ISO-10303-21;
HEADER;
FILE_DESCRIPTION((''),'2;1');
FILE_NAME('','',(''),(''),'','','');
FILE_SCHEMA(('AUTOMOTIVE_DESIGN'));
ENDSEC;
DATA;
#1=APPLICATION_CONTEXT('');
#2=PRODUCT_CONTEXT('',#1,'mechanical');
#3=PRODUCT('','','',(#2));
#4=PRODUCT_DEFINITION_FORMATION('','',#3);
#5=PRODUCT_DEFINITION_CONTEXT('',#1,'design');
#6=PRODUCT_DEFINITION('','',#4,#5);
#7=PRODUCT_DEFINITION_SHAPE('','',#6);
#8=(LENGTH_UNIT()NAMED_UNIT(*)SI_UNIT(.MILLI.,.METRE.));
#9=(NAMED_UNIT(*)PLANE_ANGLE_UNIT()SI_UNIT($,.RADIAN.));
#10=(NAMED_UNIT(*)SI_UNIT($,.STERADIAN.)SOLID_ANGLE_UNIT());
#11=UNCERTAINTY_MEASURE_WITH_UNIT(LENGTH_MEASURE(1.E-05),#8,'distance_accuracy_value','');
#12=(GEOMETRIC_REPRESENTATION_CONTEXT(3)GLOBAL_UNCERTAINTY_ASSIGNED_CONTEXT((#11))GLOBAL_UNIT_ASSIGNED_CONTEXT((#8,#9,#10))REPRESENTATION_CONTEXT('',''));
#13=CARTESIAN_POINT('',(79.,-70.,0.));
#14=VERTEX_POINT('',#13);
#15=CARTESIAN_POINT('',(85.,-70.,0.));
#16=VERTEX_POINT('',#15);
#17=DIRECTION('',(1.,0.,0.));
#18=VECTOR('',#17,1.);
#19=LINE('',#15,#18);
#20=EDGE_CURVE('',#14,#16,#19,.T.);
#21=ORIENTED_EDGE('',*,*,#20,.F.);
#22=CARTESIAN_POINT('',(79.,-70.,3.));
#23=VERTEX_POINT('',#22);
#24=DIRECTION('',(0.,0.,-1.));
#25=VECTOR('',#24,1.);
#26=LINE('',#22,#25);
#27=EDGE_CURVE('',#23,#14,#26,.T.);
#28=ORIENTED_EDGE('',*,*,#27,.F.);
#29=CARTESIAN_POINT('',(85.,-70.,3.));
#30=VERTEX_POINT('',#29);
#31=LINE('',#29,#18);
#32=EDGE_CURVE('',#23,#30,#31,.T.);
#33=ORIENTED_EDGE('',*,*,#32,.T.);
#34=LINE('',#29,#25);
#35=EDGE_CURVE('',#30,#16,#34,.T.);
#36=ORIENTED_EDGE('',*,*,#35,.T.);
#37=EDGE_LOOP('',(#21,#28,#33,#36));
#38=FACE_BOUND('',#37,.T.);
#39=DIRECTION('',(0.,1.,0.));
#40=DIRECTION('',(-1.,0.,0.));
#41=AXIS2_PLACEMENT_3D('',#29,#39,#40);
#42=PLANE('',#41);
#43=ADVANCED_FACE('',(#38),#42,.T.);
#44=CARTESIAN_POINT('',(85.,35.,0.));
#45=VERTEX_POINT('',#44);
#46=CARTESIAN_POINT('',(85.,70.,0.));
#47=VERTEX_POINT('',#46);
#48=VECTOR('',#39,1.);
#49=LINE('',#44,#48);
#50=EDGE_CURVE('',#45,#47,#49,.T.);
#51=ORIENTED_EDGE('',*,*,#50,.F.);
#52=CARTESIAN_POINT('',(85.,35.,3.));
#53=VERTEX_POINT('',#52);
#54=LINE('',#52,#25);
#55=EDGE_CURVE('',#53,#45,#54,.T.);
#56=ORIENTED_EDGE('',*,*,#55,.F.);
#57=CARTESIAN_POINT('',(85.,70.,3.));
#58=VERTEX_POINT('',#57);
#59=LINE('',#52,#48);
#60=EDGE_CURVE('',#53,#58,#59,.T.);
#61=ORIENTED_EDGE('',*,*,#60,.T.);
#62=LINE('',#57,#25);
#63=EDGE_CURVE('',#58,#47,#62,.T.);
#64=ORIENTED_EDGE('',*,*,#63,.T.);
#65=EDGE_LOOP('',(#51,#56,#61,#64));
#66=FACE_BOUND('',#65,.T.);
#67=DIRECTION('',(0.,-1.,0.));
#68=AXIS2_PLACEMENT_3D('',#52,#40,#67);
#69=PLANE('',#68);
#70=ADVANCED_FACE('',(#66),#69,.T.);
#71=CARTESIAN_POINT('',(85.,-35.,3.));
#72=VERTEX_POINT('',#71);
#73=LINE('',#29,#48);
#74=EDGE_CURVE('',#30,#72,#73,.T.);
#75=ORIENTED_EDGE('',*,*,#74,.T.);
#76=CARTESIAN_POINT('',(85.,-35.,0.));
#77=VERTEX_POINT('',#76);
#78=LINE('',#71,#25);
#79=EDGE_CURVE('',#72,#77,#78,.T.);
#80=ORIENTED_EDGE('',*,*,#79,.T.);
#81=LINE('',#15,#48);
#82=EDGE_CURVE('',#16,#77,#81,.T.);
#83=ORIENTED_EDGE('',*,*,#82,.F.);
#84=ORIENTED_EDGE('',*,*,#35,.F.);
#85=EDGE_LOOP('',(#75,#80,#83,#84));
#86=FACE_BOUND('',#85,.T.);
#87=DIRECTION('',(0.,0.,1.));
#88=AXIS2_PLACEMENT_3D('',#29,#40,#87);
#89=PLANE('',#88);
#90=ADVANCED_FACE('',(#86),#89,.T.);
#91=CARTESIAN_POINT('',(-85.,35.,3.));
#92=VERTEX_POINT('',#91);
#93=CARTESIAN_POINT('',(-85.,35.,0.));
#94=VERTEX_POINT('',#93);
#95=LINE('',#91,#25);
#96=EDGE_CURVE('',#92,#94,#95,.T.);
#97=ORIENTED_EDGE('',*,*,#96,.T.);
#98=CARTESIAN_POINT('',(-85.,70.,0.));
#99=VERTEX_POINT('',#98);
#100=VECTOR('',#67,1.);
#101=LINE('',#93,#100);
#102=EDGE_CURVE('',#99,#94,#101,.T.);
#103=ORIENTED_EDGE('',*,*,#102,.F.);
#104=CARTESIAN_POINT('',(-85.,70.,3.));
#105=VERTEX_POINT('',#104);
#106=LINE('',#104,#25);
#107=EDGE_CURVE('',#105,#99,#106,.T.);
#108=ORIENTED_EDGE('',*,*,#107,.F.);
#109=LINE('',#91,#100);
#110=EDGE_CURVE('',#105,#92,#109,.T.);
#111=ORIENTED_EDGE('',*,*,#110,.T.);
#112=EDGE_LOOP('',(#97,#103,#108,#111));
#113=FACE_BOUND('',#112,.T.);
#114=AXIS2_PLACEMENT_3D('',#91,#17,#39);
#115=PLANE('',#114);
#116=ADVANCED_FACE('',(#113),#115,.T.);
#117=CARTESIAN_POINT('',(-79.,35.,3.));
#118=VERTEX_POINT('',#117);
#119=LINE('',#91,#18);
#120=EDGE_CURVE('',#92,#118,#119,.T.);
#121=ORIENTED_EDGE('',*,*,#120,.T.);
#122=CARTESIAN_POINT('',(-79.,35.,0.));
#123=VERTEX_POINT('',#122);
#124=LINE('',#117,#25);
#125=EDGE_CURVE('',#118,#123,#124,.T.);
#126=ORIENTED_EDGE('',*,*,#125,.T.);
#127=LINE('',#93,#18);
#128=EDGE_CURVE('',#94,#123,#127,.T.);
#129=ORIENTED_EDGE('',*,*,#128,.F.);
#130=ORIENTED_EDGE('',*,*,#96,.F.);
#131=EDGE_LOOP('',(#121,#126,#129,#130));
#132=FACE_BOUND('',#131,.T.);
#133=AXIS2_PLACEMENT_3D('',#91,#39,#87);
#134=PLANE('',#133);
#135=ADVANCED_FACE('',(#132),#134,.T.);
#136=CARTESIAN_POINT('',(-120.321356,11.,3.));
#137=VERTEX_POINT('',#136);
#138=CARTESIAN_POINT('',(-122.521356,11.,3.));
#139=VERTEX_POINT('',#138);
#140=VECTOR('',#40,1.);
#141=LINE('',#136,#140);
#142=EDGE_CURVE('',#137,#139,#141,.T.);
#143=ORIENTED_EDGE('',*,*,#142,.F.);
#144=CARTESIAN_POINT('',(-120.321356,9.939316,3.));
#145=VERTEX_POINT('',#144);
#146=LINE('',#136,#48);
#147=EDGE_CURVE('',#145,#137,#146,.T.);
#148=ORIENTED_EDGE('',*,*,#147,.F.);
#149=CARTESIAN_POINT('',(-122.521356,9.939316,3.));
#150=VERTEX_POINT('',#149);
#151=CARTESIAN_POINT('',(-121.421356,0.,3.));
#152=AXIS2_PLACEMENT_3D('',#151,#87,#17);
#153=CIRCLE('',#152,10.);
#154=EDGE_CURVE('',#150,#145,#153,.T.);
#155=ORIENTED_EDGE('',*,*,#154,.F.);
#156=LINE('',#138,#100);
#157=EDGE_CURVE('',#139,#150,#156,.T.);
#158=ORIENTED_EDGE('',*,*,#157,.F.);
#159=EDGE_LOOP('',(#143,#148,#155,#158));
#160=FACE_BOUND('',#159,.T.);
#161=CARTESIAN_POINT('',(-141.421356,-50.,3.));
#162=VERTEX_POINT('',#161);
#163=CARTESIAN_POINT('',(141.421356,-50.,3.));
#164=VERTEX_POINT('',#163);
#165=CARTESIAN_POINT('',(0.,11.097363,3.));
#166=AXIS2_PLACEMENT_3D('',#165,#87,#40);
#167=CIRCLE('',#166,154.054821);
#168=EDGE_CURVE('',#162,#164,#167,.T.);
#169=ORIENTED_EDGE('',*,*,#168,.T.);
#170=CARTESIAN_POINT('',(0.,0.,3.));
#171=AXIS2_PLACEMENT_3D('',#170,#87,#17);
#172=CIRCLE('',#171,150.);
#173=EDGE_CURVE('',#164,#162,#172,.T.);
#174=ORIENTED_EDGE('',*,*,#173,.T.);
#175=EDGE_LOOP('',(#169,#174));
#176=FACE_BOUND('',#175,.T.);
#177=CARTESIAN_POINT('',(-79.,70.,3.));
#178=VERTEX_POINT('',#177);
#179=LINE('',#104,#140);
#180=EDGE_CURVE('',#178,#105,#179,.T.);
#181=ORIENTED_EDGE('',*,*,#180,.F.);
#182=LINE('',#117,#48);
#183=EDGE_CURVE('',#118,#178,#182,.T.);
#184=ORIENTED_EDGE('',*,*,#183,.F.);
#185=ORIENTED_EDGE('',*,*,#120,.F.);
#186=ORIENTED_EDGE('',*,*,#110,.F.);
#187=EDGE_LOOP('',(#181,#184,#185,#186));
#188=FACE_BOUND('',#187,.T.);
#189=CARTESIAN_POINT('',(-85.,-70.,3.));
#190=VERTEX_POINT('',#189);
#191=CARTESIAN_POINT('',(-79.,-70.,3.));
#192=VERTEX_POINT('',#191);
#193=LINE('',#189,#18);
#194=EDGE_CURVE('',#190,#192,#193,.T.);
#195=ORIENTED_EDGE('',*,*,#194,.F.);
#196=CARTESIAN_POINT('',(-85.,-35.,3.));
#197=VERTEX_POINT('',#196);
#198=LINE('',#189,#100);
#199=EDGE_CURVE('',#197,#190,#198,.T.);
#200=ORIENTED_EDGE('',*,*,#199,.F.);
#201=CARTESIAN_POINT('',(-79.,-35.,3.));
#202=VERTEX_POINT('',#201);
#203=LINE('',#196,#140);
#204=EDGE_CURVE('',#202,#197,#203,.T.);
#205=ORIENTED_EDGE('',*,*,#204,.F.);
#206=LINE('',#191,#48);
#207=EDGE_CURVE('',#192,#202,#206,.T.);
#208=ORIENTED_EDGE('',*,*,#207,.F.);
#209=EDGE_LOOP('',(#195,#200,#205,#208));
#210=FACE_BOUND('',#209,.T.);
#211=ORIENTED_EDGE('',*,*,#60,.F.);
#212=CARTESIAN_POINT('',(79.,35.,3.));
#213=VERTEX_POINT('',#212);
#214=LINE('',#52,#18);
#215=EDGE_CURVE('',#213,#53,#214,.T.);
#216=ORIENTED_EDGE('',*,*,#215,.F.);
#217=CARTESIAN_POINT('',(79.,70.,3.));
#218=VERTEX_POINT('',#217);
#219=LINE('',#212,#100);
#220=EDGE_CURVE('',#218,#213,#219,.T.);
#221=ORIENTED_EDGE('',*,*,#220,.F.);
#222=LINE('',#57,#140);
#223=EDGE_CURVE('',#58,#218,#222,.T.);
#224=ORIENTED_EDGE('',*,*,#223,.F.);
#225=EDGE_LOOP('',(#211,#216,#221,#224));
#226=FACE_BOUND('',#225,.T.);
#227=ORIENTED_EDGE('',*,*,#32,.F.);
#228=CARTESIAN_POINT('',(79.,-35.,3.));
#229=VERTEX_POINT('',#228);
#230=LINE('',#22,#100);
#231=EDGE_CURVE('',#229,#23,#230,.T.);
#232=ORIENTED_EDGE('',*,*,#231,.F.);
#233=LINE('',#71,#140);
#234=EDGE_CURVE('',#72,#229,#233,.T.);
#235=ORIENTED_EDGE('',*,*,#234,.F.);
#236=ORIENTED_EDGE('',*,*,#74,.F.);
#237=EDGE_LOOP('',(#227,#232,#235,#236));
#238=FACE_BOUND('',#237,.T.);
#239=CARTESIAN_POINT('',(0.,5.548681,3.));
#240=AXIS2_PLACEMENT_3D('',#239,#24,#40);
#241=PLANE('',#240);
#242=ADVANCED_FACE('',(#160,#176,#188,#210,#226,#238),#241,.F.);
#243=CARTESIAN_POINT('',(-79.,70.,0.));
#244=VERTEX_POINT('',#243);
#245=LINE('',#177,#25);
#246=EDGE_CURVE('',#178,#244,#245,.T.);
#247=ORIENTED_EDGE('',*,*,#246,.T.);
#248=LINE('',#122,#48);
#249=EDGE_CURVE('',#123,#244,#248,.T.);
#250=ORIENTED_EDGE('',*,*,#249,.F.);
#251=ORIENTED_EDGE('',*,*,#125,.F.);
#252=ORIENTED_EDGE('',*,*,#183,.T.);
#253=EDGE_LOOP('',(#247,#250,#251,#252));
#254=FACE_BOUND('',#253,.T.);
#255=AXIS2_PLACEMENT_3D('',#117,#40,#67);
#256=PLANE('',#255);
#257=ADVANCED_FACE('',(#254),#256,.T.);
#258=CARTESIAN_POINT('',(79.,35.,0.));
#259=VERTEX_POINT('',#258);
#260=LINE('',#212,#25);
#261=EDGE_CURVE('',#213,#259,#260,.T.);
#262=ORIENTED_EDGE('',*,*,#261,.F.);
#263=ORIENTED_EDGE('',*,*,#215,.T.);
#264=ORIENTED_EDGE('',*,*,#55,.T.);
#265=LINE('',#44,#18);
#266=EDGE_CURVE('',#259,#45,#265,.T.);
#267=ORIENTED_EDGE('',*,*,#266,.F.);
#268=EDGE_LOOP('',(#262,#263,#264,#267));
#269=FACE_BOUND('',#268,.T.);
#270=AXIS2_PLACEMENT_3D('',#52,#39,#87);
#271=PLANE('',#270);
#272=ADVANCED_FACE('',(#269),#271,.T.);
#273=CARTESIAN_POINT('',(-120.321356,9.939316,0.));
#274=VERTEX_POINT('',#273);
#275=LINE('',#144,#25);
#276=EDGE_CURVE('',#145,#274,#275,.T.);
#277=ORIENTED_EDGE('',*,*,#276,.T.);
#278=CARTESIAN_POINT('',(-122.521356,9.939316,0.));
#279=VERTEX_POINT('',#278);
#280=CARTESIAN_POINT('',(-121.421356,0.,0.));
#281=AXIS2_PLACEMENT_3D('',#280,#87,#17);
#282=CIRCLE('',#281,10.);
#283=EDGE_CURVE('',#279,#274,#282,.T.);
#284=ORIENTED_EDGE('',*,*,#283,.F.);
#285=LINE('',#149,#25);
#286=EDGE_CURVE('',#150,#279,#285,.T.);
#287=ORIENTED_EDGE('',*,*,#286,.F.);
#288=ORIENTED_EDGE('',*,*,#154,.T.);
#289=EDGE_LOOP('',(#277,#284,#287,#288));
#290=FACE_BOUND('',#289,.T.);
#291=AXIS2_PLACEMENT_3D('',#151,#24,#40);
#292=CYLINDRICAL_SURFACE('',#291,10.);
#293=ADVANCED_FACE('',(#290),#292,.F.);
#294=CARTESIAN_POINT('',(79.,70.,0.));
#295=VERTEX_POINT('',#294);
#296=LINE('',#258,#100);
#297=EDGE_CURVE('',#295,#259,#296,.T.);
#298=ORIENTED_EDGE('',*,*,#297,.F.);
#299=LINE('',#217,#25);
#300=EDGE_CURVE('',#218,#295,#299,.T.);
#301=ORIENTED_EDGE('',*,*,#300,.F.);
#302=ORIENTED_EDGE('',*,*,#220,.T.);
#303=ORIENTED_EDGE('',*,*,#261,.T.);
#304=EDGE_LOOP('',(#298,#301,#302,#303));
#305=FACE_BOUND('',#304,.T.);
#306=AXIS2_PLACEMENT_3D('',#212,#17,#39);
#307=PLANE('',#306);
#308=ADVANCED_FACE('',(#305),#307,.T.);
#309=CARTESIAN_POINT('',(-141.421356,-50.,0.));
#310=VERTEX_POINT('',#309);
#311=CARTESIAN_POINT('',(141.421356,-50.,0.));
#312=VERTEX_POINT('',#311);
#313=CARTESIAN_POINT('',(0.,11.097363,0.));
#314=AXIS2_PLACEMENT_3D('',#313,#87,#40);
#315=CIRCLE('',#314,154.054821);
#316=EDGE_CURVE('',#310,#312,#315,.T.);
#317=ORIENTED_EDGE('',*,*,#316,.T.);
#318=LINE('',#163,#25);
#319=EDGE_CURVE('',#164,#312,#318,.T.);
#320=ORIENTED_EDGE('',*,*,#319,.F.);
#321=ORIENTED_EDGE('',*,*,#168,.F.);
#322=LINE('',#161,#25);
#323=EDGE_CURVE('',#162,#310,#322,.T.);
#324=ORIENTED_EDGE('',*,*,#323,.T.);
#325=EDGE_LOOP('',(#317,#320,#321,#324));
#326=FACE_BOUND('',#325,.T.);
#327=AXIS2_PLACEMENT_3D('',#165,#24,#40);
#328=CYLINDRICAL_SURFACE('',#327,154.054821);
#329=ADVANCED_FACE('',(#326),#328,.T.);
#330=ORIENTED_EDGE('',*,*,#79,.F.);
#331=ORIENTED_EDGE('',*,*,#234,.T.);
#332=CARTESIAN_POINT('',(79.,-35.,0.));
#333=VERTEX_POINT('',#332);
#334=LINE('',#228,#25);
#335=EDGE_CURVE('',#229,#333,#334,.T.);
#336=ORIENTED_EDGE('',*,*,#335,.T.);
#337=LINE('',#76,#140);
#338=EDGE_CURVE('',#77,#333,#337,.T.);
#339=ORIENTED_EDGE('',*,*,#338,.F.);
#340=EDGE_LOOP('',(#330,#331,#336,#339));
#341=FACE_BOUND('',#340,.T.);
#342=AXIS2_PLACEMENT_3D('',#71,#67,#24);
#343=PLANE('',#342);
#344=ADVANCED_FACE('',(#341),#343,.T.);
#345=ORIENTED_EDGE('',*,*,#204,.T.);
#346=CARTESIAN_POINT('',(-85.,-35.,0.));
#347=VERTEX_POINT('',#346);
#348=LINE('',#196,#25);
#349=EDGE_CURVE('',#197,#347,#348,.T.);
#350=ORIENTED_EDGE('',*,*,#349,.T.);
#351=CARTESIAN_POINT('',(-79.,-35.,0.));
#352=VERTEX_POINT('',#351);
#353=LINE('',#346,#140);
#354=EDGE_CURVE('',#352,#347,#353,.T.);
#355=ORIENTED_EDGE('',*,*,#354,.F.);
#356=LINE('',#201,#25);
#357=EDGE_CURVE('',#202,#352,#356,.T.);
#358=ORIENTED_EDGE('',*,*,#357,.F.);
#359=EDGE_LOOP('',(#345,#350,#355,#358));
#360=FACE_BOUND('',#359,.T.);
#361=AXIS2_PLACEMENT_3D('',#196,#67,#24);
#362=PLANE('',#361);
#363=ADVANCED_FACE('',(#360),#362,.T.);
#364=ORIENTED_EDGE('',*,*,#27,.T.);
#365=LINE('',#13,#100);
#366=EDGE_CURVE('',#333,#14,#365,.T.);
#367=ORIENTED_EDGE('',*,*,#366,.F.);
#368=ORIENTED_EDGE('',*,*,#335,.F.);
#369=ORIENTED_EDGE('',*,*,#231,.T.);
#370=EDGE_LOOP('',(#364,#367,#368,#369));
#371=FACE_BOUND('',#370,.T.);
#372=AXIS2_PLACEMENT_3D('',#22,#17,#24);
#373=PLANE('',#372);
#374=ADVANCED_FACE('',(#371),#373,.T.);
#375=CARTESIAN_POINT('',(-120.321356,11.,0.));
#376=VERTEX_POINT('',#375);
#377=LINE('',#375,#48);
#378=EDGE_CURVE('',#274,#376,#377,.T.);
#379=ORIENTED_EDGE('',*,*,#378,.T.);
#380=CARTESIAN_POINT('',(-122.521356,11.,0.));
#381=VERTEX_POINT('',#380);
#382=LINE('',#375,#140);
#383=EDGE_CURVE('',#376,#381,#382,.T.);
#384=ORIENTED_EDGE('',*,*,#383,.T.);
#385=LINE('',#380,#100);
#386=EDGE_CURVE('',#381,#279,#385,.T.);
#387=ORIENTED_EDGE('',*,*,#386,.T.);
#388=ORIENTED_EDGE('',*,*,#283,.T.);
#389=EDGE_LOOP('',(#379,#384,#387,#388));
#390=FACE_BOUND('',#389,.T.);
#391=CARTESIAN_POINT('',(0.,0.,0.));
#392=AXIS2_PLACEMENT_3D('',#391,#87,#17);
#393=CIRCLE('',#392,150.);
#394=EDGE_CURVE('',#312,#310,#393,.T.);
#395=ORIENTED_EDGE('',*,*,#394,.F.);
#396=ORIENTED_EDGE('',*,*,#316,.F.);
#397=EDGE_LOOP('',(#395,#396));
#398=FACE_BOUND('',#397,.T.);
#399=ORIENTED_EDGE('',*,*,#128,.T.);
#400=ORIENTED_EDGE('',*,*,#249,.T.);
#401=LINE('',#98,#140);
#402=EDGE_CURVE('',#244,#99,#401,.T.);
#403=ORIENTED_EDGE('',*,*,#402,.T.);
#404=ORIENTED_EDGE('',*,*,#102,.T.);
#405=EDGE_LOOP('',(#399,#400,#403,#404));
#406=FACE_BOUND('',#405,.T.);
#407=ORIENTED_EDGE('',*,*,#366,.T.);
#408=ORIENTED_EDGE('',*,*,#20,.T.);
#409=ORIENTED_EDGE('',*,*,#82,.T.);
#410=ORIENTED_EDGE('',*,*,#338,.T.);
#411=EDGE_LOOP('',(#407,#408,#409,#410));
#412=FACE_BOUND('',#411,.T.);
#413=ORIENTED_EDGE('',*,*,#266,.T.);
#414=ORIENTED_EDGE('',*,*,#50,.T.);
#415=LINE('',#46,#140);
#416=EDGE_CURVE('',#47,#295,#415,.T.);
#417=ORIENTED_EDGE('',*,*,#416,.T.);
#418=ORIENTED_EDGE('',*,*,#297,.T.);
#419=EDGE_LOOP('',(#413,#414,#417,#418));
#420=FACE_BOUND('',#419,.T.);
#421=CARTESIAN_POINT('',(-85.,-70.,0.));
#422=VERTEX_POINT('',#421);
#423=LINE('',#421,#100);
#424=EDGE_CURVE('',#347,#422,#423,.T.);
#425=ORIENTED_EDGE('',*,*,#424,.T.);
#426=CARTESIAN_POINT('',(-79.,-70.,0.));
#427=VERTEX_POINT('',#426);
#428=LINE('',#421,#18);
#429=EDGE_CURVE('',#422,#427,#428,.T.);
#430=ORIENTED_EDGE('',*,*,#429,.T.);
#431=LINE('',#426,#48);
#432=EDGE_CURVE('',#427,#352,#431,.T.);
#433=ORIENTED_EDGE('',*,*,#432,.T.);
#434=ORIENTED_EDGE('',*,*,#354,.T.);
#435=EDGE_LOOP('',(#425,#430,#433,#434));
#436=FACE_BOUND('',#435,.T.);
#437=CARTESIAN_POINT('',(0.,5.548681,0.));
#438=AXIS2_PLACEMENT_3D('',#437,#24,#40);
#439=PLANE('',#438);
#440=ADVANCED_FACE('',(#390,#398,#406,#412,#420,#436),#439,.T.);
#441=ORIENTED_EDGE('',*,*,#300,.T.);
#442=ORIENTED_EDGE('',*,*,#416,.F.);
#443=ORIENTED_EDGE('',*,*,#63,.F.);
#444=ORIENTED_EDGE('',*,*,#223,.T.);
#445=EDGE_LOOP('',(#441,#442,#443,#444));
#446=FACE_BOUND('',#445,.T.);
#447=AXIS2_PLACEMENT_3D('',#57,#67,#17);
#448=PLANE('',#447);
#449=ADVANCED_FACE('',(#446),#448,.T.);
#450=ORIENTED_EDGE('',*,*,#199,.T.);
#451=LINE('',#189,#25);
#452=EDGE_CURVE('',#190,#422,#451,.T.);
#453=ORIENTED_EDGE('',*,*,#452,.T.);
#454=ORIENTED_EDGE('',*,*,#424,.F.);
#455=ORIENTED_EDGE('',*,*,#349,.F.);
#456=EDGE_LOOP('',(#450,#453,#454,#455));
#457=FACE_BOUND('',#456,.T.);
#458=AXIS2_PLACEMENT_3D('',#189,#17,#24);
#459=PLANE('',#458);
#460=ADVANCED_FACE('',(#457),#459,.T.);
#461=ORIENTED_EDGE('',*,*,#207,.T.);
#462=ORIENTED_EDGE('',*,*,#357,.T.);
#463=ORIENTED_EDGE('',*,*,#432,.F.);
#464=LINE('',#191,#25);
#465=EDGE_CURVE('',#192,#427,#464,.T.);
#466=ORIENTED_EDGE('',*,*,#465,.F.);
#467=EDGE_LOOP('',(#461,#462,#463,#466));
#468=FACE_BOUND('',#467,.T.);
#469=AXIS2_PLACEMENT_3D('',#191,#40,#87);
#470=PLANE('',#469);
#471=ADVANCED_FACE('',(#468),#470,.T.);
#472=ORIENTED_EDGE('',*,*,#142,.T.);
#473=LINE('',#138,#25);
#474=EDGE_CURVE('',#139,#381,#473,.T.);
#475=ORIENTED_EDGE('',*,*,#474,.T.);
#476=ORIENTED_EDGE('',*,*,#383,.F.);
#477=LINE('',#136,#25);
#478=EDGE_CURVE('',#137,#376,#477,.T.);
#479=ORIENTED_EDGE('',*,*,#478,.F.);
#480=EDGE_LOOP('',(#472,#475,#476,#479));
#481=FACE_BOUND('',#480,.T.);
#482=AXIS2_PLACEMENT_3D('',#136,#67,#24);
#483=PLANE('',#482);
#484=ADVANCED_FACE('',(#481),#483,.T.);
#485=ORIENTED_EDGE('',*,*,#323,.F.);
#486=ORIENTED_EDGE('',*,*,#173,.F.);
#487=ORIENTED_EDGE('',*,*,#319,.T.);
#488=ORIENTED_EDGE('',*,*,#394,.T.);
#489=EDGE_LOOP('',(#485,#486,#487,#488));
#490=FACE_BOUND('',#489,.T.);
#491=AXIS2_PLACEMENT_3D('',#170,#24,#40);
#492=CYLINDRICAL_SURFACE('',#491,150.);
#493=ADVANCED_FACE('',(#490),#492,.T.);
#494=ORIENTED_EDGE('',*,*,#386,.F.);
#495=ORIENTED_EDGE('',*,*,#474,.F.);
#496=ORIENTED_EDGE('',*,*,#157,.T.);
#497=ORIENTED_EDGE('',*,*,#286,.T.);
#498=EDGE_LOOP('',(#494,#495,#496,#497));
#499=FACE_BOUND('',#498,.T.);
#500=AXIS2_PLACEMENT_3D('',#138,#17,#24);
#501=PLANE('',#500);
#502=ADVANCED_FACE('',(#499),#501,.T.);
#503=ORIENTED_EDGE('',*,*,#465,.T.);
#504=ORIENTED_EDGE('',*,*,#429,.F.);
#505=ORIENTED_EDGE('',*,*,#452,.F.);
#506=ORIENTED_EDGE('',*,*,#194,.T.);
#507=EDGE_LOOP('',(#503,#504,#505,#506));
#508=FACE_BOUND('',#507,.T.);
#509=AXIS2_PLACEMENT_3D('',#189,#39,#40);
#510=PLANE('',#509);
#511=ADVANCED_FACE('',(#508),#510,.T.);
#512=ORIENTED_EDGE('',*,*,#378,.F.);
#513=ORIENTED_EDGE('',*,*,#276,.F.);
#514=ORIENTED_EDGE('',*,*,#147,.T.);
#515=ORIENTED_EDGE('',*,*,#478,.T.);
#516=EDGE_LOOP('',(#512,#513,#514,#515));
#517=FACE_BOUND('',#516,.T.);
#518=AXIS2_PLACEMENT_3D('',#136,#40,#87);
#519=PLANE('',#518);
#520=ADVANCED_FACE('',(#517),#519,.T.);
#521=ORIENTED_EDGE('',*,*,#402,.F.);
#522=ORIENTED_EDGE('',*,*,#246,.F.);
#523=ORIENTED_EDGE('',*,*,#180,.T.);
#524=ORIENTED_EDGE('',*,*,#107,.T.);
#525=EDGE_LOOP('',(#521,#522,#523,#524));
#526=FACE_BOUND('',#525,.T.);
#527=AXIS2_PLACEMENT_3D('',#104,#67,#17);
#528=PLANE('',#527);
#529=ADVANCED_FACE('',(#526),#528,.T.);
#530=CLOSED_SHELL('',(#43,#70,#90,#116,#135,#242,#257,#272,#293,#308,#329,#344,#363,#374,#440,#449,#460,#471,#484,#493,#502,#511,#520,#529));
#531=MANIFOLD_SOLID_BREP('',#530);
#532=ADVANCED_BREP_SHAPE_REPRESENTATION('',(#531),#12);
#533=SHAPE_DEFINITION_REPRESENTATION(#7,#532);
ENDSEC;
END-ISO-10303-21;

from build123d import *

# Parameters (mm, degrees)
ESBO_O1_W                = 6
ESBO_O1_H                = 35
RESSALTO_EXTRUS_O1_DEPTH = 3


with BuildPart() as part:
    # Esboço1 → Ressalto-extrusão1 (new body)
    with BuildSketch(Plane.XY):
        with BuildLine():
            ThreePointArc((141.421356237, -50), (0, 150), (-141.421356237, -50))
            ThreePointArc((-141.421356237, -50), (0, -142.957457878), (141.421356237, -50))
        make_face()
        with BuildLine():
            Line((-120.321356237, 11), (-122.521356237, 11))
            Line((-122.521356237, 11), (-122.521356237, 9.939315872))
            ThreePointArc((-122.521356237, 9.939315872), (-121.421356237, -10), (-120.321356237, 9.939315872))
            Line((-120.321356237, 9.939315872), (-120.321356237, 11))
        make_face(mode=Mode.SUBTRACT)
        with Locations((-82, -52.5)):
            Rectangle(ESBO_O1_W, ESBO_O1_H, mode=Mode.SUBTRACT)
        with Locations((-82, 52.5)):
            Rectangle(ESBO_O1_W, ESBO_O1_H, mode=Mode.SUBTRACT)
        with Locations((82, -52.5)):
            Rectangle(ESBO_O1_W, ESBO_O1_H, mode=Mode.SUBTRACT)
        with Locations((82, 52.5)):
            Rectangle(ESBO_O1_W, ESBO_O1_H, mode=Mode.SUBTRACT)
    extrude(amount=RESSALTO_EXTRUS_O1_DEPTH)


solid = part.part
